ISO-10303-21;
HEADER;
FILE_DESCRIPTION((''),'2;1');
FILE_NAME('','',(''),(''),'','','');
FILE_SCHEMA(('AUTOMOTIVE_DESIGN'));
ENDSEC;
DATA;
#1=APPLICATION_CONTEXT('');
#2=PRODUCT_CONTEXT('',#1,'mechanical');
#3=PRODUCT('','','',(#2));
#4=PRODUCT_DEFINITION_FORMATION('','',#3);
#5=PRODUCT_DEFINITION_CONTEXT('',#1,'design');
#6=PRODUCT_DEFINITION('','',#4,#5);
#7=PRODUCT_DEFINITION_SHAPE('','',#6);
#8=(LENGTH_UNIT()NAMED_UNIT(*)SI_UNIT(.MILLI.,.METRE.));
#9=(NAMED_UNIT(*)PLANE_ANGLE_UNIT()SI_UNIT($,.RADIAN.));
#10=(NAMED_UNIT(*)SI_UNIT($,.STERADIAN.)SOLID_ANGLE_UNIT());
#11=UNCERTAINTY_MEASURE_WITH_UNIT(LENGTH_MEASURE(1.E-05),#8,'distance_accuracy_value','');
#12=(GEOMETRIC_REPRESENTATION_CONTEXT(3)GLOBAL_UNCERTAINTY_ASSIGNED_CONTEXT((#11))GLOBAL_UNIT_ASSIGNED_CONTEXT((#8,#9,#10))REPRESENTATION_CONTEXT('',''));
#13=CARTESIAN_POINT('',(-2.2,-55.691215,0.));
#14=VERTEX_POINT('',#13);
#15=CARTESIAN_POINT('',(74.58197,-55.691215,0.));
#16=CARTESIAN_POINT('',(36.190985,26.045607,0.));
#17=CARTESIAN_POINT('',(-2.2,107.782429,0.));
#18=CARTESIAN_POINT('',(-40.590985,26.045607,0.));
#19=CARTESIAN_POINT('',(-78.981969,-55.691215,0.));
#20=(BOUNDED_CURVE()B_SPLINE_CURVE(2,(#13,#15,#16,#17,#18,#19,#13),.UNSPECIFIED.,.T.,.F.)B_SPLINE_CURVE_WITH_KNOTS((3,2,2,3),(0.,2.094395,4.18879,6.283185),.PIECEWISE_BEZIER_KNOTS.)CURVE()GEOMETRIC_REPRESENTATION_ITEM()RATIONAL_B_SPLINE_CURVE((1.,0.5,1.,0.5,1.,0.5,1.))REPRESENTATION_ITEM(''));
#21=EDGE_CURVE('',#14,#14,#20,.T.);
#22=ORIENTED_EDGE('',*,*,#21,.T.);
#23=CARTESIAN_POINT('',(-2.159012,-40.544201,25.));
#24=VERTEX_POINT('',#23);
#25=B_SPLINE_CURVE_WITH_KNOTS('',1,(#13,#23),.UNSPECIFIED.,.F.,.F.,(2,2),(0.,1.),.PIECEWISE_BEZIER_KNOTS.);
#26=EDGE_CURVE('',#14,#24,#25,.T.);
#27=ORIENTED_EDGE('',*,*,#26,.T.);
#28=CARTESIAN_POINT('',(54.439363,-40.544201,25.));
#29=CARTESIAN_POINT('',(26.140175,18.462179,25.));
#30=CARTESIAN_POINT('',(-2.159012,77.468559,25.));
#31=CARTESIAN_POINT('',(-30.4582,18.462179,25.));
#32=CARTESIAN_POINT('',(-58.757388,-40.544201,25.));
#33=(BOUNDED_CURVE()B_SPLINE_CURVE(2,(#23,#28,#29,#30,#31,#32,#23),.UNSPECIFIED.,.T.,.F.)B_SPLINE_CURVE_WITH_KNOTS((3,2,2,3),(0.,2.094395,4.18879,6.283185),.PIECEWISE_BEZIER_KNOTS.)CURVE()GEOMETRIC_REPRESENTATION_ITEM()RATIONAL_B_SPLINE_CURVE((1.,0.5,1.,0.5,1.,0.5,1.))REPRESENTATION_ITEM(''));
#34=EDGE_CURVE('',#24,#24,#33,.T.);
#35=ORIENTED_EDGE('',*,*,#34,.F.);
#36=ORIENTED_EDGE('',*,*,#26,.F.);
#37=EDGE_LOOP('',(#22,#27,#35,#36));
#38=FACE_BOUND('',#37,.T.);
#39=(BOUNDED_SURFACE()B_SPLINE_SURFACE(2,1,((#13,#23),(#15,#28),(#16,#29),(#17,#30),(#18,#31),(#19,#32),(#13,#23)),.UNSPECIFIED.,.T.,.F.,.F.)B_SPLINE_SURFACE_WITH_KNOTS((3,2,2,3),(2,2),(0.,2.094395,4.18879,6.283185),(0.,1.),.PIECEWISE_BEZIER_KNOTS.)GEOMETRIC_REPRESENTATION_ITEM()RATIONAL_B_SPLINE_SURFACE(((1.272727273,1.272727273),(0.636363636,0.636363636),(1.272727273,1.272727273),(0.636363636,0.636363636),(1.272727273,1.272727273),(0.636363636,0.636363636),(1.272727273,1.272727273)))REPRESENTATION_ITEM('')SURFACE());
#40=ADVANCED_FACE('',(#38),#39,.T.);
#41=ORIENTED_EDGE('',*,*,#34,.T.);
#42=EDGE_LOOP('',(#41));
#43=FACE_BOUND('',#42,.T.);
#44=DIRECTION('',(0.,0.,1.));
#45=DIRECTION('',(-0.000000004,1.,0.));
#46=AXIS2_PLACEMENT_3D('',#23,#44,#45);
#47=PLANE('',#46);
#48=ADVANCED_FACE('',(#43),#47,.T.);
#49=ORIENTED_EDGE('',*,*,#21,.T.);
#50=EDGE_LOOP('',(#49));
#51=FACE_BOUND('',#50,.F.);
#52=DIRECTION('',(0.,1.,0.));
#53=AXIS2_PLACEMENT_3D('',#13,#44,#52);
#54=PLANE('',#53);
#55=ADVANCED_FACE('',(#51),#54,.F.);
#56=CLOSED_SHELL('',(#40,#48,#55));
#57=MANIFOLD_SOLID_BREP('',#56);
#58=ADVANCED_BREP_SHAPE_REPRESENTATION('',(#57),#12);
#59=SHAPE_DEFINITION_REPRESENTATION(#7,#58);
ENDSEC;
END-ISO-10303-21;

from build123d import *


with BuildPart() as f3:
    # F0 (on Top) → F3 section 0
    with BuildSketch(Plane.XY):
        with BuildLine():
            add(Edge.make_bspline(
                [(-2.2, -55.691215), (74.58197, -55.691215), (36.190985, 26.045607), (-2.2, 107.782429), (-40.590985, 26.045607), (-78.981969, -55.691215), (-2.2, -55.691215)],
                knots=[0, 0, 0, 2.094395, 2.094395, 4.18879, 4.18879, 6.283185, 6.283185, 6.283185], degree=2, weights=[1, 0.5, 1, 0.5, 1, 0.5, 1]))
        make_face()
    # F2 (on offset) → F3 section 1
    with BuildSketch(Plane.XY.offset(25)):
        with BuildLine():
            add(Edge.make_bspline(
                [(-2.159012, -40.544201), (54.439363, -40.544201), (26.140175, 18.462179), (-2.159012, 77.468559), (-30.4582, 18.462179), (-58.757388, -40.544201), (-2.159012, -40.544201)],
                knots=[0, 0, 0, 2.094395, 2.094395, 4.18879, 4.18879, 6.283185, 6.283185, 6.283185], degree=2, weights=[1, 0.5, 1, 0.5, 1, 0.5, 1]))
        make_face()
    loft()


solid = f3.part
